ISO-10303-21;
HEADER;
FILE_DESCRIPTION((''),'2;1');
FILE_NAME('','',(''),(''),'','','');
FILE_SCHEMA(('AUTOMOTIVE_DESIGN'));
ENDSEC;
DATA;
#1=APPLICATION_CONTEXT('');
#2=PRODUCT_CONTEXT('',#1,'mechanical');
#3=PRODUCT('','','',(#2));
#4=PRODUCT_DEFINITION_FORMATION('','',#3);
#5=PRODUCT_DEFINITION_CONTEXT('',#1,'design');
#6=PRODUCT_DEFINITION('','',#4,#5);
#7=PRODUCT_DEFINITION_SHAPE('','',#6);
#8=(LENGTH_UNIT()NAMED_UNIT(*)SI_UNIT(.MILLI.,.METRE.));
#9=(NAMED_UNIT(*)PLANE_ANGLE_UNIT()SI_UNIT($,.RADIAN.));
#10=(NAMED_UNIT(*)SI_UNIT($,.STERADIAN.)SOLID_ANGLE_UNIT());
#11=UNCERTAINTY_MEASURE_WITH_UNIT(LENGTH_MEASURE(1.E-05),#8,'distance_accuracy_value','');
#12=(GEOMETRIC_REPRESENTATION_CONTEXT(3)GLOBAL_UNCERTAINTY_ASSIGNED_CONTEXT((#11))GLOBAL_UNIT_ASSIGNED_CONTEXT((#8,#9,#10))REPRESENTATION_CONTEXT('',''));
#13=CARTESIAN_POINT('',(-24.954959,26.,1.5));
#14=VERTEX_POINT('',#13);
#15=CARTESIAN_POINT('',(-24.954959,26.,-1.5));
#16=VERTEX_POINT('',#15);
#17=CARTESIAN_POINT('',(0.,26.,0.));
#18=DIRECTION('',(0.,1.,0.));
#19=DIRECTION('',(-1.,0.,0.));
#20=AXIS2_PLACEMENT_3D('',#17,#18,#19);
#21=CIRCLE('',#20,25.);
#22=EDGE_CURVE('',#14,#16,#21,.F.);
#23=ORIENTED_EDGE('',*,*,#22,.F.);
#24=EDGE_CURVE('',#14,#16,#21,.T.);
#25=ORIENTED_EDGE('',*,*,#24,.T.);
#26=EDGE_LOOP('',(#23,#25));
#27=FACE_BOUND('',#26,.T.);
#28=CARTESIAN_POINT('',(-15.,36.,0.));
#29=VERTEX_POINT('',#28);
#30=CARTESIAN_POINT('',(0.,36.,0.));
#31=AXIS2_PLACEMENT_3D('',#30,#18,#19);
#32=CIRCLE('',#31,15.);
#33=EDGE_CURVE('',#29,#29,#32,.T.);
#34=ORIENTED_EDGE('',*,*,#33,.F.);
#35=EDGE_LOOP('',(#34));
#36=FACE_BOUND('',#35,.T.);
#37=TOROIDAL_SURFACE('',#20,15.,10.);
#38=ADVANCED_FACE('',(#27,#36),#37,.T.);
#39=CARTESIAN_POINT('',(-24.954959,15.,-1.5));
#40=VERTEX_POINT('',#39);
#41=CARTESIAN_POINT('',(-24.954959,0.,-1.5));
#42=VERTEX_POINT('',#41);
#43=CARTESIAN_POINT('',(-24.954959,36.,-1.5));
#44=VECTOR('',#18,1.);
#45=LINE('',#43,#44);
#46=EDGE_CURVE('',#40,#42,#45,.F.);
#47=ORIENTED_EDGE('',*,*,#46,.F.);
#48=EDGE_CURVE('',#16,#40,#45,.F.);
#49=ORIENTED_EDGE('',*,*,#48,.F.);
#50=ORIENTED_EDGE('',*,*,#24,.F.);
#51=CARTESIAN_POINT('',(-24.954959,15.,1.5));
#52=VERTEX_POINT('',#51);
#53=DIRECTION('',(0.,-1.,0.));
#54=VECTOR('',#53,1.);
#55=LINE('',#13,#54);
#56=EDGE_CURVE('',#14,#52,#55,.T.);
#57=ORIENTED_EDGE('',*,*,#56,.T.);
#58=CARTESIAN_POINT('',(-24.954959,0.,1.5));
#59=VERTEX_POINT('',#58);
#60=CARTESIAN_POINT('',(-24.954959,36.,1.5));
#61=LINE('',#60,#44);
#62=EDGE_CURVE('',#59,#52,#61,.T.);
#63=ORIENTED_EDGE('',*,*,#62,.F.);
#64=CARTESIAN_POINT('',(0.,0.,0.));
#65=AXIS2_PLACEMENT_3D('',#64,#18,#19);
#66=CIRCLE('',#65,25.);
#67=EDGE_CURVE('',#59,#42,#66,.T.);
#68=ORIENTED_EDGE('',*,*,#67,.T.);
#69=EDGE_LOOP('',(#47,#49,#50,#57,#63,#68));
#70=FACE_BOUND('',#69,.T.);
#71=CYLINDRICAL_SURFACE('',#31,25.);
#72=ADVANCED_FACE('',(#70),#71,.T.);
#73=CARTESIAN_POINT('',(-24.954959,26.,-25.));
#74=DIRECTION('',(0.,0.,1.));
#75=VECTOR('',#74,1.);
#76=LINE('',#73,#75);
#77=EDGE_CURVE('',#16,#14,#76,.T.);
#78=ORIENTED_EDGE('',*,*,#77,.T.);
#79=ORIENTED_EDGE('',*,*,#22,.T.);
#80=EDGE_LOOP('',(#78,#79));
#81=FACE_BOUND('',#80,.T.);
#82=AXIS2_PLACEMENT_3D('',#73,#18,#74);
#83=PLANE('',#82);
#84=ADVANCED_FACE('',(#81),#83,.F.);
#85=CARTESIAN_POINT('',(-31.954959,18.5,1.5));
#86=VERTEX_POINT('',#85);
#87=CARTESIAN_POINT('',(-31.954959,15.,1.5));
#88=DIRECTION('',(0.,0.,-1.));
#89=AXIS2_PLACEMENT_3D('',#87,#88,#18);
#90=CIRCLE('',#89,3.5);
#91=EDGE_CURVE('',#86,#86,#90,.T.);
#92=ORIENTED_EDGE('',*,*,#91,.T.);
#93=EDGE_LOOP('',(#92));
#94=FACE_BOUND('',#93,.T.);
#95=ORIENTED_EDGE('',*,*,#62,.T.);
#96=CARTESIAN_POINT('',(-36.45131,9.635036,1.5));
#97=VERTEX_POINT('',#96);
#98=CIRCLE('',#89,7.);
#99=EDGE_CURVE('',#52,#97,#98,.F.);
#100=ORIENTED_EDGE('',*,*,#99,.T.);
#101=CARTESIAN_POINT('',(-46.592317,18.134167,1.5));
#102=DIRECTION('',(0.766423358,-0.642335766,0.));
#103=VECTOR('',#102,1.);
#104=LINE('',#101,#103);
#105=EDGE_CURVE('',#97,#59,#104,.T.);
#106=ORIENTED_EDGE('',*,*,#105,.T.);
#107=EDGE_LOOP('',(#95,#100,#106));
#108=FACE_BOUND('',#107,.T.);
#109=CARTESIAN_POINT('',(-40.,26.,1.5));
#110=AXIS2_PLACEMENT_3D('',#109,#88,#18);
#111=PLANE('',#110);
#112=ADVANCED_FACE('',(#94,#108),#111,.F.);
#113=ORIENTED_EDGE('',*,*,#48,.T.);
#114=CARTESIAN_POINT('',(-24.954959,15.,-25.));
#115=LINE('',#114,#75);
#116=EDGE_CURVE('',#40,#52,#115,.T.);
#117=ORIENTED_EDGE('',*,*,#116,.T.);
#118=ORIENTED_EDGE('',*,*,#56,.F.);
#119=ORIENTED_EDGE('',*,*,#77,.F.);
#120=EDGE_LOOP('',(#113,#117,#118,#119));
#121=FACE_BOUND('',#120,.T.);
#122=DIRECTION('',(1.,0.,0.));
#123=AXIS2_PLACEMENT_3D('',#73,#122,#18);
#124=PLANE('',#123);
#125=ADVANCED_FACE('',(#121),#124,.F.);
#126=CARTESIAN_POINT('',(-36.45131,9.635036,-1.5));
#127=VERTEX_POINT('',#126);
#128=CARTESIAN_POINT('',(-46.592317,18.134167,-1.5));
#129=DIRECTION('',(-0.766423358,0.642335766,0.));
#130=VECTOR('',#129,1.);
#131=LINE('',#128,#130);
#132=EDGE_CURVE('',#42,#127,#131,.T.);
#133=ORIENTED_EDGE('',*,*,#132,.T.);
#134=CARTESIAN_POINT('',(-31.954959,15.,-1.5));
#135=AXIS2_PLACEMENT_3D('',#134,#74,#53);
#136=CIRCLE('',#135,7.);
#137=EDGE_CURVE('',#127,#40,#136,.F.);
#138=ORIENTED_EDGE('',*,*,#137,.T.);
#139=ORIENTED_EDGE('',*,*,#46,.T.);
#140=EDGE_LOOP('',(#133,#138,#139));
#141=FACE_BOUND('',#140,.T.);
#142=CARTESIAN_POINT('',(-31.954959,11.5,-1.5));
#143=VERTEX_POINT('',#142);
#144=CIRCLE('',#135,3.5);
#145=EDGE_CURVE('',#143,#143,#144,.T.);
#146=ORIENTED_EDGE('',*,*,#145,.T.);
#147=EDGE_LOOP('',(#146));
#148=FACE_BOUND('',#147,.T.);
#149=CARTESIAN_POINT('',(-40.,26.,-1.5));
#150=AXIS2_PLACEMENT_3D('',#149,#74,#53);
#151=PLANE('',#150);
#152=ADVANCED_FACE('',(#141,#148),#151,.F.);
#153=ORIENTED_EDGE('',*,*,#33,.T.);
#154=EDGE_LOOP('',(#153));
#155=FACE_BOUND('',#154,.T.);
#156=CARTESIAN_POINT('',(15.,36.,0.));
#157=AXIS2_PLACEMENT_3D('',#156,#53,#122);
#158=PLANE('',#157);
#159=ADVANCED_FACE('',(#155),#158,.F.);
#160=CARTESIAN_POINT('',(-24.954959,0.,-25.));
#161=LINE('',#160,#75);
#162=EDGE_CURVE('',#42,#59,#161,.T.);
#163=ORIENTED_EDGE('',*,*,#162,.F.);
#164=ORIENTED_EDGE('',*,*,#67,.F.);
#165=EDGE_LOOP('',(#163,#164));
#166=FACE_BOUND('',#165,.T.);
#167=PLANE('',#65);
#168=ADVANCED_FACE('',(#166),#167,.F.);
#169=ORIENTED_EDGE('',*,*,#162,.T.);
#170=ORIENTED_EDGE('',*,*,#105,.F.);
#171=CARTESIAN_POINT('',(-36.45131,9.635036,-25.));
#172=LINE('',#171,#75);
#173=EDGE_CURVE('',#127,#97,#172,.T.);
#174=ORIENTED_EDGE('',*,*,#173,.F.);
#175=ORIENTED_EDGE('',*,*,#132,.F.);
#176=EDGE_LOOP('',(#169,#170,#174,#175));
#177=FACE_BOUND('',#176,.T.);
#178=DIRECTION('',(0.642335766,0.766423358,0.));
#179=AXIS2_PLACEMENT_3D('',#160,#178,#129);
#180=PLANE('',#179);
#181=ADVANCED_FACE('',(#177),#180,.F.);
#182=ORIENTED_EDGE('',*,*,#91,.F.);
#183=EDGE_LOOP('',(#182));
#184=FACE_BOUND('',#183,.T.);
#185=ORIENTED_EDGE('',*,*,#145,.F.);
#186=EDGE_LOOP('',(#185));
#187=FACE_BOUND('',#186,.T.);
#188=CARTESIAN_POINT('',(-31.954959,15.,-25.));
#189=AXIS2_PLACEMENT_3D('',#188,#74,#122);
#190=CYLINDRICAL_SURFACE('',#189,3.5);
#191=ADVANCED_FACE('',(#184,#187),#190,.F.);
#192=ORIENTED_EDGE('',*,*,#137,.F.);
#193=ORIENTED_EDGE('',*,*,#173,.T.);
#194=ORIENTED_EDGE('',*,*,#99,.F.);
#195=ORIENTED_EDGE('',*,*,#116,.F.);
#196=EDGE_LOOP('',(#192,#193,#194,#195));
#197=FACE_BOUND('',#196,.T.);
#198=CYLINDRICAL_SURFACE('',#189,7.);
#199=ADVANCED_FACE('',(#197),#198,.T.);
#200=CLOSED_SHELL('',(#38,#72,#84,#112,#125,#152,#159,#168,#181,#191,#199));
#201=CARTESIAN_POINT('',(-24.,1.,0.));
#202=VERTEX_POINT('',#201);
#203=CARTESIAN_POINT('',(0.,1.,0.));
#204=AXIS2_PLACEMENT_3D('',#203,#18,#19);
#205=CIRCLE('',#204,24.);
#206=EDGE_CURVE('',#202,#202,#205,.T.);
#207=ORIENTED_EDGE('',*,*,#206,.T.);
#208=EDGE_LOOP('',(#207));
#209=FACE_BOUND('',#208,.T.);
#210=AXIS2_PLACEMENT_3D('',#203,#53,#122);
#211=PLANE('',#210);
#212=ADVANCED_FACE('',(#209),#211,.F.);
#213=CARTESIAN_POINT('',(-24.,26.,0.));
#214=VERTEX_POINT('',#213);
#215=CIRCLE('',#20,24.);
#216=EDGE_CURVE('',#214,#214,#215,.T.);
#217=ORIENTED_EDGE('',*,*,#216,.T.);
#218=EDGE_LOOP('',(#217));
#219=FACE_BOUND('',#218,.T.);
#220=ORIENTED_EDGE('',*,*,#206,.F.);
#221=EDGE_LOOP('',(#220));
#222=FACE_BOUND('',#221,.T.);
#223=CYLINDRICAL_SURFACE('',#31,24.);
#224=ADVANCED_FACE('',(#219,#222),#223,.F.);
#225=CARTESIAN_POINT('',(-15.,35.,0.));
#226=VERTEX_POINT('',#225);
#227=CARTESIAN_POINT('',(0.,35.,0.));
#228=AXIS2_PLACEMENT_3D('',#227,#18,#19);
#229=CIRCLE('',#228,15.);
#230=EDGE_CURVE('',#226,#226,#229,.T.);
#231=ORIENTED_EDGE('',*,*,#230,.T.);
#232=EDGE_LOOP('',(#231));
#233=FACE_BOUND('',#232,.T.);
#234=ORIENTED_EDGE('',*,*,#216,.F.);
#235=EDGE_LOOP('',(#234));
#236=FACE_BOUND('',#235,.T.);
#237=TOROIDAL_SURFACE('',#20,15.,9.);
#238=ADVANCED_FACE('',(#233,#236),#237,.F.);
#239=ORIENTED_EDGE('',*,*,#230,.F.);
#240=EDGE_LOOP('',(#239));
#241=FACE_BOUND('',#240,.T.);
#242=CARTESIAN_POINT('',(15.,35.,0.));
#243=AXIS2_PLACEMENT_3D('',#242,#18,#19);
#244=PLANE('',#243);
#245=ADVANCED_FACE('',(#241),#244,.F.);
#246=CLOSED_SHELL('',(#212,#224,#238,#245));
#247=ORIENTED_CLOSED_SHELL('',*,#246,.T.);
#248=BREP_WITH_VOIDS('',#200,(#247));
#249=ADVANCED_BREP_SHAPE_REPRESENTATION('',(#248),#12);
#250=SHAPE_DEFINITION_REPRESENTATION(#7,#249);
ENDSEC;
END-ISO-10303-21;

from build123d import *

# Parameters (mm, degrees)
SKETCH5_W                            = 3
SKETCH5_H                            = 26
BOSS_EXTRUDE1_DEPTH                  = 15
BOSS_EXTRUDE1_DIRECTION_2_REACH      = 68.491
BOSS_EXTRUDE1_DIRECTION_2_END_RADIUS = 25
CUT_EXTRUDE1_DEPTH                   = 60.338014797
CUT_EXTRUDE1_DEPTH_BACK              = 60.338014797
SKETCH4_R                            = 3.5


with BuildPart() as part:
    # Sketch1 → Revolve1 (revolve)
    with BuildSketch(Plane.XY, mode=Mode.PRIVATE) as revolve1_sk:
        with BuildLine():
            Line((0, 0), (25, 0))
            Line((25, 0), (25, 26))
            ThreePointArc((25, 26), (22.071067812, 33.071067812), (15, 36))
            Line((15, 36), (0, 36))
            Line((0, 36), (0, 35))
            Line((0, 35), (1, 35))
            Line((1, 35), (15, 35))
            ThreePointArc((15, 35), (21.363961031, 32.363961031), (24, 26))
            Line((24, 26), (24, 1))
            Line((24, 1), (1, 1))
            Line((1, 1), (0, 1))
            Line((0, 1), (0, 0))
        make_face()
    revolve(revolve1_sk.sketch.rotate(Axis((0, 36, 0), (0, -1, 0)), 180), axis=Axis((0, 36, 0), (0, -1, 0)))

    # Sketch5 → Boss-Extrude1 (add)
    with BuildSketch(Plane.ZY.offset(25)):
        with Locations((0, 13)):
            Rectangle(SKETCH5_W, SKETCH5_H)
    extrude(amount=BOSS_EXTRUDE1_DEPTH)

    # Boss-Extrude1 direction 2: up to this cylinder (the profile starts outside it)
    boss_extrude1_direction_2_end = Plane(origin=(0, 13, 0), z_dir=(0, 1, 0)) * Cylinder(BOSS_EXTRUDE1_DIRECTION_2_END_RADIUS, 187.982, mode=Mode.PRIVATE)
    # Sketch5 → Boss-Extrude1 direction 2 (add, up to the surface)
    with BuildSketch(Plane.ZY.offset(25), mode=Mode.PRIVATE) as boss_extrude1_direction_2_sk1:
        with Locations((0, 13)):
            Rectangle(SKETCH5_W, SKETCH5_H)
    boss_extrude1_direction_2_tool1 = extrude(boss_extrude1_direction_2_sk1.sketch, amount=-BOSS_EXTRUDE1_DIRECTION_2_REACH, mode=Mode.PRIVATE) - boss_extrude1_direction_2_end
    add(boss_extrude1_direction_2_tool1.solids().sort_by_distance((-25, 13, 0))[0])
    add(boss_extrude1_direction_2_tool1.solids().sort_by_distance((-25, 13, 0))[1])

    # Sketch4 → Cut-Extrude1 (cut, two sides: drawn at the far end of the back side and taken through both)
    with BuildSketch(Plane.XY.offset(-CUT_EXTRUDE1_DEPTH_BACK)):
        with Locations(Location((-31.954959427, 15, 0), (0, 0, 90))):
            Circle(SKETCH4_R)
        with BuildLine():
            Line((-24.954959427, 0), (-36.451309792, 9.635036496))
            ThreePointArc((-36.451309792, 9.635036496), (-34.915157684, 21.34328198), (-24.954959427, 15))
            Line((-24.954959427, 15), (-24.954959427, 26))
            Line((-24.954959427, 26), (-40, 26))
            Line((-40, 26), (-40, 0))
            Line((-40, 0), (-24.954959427, 0))
        make_face()
    extrude(amount=CUT_EXTRUDE1_DEPTH + CUT_EXTRUDE1_DEPTH_BACK, mode=Mode.SUBTRACT)


solid = part.part
